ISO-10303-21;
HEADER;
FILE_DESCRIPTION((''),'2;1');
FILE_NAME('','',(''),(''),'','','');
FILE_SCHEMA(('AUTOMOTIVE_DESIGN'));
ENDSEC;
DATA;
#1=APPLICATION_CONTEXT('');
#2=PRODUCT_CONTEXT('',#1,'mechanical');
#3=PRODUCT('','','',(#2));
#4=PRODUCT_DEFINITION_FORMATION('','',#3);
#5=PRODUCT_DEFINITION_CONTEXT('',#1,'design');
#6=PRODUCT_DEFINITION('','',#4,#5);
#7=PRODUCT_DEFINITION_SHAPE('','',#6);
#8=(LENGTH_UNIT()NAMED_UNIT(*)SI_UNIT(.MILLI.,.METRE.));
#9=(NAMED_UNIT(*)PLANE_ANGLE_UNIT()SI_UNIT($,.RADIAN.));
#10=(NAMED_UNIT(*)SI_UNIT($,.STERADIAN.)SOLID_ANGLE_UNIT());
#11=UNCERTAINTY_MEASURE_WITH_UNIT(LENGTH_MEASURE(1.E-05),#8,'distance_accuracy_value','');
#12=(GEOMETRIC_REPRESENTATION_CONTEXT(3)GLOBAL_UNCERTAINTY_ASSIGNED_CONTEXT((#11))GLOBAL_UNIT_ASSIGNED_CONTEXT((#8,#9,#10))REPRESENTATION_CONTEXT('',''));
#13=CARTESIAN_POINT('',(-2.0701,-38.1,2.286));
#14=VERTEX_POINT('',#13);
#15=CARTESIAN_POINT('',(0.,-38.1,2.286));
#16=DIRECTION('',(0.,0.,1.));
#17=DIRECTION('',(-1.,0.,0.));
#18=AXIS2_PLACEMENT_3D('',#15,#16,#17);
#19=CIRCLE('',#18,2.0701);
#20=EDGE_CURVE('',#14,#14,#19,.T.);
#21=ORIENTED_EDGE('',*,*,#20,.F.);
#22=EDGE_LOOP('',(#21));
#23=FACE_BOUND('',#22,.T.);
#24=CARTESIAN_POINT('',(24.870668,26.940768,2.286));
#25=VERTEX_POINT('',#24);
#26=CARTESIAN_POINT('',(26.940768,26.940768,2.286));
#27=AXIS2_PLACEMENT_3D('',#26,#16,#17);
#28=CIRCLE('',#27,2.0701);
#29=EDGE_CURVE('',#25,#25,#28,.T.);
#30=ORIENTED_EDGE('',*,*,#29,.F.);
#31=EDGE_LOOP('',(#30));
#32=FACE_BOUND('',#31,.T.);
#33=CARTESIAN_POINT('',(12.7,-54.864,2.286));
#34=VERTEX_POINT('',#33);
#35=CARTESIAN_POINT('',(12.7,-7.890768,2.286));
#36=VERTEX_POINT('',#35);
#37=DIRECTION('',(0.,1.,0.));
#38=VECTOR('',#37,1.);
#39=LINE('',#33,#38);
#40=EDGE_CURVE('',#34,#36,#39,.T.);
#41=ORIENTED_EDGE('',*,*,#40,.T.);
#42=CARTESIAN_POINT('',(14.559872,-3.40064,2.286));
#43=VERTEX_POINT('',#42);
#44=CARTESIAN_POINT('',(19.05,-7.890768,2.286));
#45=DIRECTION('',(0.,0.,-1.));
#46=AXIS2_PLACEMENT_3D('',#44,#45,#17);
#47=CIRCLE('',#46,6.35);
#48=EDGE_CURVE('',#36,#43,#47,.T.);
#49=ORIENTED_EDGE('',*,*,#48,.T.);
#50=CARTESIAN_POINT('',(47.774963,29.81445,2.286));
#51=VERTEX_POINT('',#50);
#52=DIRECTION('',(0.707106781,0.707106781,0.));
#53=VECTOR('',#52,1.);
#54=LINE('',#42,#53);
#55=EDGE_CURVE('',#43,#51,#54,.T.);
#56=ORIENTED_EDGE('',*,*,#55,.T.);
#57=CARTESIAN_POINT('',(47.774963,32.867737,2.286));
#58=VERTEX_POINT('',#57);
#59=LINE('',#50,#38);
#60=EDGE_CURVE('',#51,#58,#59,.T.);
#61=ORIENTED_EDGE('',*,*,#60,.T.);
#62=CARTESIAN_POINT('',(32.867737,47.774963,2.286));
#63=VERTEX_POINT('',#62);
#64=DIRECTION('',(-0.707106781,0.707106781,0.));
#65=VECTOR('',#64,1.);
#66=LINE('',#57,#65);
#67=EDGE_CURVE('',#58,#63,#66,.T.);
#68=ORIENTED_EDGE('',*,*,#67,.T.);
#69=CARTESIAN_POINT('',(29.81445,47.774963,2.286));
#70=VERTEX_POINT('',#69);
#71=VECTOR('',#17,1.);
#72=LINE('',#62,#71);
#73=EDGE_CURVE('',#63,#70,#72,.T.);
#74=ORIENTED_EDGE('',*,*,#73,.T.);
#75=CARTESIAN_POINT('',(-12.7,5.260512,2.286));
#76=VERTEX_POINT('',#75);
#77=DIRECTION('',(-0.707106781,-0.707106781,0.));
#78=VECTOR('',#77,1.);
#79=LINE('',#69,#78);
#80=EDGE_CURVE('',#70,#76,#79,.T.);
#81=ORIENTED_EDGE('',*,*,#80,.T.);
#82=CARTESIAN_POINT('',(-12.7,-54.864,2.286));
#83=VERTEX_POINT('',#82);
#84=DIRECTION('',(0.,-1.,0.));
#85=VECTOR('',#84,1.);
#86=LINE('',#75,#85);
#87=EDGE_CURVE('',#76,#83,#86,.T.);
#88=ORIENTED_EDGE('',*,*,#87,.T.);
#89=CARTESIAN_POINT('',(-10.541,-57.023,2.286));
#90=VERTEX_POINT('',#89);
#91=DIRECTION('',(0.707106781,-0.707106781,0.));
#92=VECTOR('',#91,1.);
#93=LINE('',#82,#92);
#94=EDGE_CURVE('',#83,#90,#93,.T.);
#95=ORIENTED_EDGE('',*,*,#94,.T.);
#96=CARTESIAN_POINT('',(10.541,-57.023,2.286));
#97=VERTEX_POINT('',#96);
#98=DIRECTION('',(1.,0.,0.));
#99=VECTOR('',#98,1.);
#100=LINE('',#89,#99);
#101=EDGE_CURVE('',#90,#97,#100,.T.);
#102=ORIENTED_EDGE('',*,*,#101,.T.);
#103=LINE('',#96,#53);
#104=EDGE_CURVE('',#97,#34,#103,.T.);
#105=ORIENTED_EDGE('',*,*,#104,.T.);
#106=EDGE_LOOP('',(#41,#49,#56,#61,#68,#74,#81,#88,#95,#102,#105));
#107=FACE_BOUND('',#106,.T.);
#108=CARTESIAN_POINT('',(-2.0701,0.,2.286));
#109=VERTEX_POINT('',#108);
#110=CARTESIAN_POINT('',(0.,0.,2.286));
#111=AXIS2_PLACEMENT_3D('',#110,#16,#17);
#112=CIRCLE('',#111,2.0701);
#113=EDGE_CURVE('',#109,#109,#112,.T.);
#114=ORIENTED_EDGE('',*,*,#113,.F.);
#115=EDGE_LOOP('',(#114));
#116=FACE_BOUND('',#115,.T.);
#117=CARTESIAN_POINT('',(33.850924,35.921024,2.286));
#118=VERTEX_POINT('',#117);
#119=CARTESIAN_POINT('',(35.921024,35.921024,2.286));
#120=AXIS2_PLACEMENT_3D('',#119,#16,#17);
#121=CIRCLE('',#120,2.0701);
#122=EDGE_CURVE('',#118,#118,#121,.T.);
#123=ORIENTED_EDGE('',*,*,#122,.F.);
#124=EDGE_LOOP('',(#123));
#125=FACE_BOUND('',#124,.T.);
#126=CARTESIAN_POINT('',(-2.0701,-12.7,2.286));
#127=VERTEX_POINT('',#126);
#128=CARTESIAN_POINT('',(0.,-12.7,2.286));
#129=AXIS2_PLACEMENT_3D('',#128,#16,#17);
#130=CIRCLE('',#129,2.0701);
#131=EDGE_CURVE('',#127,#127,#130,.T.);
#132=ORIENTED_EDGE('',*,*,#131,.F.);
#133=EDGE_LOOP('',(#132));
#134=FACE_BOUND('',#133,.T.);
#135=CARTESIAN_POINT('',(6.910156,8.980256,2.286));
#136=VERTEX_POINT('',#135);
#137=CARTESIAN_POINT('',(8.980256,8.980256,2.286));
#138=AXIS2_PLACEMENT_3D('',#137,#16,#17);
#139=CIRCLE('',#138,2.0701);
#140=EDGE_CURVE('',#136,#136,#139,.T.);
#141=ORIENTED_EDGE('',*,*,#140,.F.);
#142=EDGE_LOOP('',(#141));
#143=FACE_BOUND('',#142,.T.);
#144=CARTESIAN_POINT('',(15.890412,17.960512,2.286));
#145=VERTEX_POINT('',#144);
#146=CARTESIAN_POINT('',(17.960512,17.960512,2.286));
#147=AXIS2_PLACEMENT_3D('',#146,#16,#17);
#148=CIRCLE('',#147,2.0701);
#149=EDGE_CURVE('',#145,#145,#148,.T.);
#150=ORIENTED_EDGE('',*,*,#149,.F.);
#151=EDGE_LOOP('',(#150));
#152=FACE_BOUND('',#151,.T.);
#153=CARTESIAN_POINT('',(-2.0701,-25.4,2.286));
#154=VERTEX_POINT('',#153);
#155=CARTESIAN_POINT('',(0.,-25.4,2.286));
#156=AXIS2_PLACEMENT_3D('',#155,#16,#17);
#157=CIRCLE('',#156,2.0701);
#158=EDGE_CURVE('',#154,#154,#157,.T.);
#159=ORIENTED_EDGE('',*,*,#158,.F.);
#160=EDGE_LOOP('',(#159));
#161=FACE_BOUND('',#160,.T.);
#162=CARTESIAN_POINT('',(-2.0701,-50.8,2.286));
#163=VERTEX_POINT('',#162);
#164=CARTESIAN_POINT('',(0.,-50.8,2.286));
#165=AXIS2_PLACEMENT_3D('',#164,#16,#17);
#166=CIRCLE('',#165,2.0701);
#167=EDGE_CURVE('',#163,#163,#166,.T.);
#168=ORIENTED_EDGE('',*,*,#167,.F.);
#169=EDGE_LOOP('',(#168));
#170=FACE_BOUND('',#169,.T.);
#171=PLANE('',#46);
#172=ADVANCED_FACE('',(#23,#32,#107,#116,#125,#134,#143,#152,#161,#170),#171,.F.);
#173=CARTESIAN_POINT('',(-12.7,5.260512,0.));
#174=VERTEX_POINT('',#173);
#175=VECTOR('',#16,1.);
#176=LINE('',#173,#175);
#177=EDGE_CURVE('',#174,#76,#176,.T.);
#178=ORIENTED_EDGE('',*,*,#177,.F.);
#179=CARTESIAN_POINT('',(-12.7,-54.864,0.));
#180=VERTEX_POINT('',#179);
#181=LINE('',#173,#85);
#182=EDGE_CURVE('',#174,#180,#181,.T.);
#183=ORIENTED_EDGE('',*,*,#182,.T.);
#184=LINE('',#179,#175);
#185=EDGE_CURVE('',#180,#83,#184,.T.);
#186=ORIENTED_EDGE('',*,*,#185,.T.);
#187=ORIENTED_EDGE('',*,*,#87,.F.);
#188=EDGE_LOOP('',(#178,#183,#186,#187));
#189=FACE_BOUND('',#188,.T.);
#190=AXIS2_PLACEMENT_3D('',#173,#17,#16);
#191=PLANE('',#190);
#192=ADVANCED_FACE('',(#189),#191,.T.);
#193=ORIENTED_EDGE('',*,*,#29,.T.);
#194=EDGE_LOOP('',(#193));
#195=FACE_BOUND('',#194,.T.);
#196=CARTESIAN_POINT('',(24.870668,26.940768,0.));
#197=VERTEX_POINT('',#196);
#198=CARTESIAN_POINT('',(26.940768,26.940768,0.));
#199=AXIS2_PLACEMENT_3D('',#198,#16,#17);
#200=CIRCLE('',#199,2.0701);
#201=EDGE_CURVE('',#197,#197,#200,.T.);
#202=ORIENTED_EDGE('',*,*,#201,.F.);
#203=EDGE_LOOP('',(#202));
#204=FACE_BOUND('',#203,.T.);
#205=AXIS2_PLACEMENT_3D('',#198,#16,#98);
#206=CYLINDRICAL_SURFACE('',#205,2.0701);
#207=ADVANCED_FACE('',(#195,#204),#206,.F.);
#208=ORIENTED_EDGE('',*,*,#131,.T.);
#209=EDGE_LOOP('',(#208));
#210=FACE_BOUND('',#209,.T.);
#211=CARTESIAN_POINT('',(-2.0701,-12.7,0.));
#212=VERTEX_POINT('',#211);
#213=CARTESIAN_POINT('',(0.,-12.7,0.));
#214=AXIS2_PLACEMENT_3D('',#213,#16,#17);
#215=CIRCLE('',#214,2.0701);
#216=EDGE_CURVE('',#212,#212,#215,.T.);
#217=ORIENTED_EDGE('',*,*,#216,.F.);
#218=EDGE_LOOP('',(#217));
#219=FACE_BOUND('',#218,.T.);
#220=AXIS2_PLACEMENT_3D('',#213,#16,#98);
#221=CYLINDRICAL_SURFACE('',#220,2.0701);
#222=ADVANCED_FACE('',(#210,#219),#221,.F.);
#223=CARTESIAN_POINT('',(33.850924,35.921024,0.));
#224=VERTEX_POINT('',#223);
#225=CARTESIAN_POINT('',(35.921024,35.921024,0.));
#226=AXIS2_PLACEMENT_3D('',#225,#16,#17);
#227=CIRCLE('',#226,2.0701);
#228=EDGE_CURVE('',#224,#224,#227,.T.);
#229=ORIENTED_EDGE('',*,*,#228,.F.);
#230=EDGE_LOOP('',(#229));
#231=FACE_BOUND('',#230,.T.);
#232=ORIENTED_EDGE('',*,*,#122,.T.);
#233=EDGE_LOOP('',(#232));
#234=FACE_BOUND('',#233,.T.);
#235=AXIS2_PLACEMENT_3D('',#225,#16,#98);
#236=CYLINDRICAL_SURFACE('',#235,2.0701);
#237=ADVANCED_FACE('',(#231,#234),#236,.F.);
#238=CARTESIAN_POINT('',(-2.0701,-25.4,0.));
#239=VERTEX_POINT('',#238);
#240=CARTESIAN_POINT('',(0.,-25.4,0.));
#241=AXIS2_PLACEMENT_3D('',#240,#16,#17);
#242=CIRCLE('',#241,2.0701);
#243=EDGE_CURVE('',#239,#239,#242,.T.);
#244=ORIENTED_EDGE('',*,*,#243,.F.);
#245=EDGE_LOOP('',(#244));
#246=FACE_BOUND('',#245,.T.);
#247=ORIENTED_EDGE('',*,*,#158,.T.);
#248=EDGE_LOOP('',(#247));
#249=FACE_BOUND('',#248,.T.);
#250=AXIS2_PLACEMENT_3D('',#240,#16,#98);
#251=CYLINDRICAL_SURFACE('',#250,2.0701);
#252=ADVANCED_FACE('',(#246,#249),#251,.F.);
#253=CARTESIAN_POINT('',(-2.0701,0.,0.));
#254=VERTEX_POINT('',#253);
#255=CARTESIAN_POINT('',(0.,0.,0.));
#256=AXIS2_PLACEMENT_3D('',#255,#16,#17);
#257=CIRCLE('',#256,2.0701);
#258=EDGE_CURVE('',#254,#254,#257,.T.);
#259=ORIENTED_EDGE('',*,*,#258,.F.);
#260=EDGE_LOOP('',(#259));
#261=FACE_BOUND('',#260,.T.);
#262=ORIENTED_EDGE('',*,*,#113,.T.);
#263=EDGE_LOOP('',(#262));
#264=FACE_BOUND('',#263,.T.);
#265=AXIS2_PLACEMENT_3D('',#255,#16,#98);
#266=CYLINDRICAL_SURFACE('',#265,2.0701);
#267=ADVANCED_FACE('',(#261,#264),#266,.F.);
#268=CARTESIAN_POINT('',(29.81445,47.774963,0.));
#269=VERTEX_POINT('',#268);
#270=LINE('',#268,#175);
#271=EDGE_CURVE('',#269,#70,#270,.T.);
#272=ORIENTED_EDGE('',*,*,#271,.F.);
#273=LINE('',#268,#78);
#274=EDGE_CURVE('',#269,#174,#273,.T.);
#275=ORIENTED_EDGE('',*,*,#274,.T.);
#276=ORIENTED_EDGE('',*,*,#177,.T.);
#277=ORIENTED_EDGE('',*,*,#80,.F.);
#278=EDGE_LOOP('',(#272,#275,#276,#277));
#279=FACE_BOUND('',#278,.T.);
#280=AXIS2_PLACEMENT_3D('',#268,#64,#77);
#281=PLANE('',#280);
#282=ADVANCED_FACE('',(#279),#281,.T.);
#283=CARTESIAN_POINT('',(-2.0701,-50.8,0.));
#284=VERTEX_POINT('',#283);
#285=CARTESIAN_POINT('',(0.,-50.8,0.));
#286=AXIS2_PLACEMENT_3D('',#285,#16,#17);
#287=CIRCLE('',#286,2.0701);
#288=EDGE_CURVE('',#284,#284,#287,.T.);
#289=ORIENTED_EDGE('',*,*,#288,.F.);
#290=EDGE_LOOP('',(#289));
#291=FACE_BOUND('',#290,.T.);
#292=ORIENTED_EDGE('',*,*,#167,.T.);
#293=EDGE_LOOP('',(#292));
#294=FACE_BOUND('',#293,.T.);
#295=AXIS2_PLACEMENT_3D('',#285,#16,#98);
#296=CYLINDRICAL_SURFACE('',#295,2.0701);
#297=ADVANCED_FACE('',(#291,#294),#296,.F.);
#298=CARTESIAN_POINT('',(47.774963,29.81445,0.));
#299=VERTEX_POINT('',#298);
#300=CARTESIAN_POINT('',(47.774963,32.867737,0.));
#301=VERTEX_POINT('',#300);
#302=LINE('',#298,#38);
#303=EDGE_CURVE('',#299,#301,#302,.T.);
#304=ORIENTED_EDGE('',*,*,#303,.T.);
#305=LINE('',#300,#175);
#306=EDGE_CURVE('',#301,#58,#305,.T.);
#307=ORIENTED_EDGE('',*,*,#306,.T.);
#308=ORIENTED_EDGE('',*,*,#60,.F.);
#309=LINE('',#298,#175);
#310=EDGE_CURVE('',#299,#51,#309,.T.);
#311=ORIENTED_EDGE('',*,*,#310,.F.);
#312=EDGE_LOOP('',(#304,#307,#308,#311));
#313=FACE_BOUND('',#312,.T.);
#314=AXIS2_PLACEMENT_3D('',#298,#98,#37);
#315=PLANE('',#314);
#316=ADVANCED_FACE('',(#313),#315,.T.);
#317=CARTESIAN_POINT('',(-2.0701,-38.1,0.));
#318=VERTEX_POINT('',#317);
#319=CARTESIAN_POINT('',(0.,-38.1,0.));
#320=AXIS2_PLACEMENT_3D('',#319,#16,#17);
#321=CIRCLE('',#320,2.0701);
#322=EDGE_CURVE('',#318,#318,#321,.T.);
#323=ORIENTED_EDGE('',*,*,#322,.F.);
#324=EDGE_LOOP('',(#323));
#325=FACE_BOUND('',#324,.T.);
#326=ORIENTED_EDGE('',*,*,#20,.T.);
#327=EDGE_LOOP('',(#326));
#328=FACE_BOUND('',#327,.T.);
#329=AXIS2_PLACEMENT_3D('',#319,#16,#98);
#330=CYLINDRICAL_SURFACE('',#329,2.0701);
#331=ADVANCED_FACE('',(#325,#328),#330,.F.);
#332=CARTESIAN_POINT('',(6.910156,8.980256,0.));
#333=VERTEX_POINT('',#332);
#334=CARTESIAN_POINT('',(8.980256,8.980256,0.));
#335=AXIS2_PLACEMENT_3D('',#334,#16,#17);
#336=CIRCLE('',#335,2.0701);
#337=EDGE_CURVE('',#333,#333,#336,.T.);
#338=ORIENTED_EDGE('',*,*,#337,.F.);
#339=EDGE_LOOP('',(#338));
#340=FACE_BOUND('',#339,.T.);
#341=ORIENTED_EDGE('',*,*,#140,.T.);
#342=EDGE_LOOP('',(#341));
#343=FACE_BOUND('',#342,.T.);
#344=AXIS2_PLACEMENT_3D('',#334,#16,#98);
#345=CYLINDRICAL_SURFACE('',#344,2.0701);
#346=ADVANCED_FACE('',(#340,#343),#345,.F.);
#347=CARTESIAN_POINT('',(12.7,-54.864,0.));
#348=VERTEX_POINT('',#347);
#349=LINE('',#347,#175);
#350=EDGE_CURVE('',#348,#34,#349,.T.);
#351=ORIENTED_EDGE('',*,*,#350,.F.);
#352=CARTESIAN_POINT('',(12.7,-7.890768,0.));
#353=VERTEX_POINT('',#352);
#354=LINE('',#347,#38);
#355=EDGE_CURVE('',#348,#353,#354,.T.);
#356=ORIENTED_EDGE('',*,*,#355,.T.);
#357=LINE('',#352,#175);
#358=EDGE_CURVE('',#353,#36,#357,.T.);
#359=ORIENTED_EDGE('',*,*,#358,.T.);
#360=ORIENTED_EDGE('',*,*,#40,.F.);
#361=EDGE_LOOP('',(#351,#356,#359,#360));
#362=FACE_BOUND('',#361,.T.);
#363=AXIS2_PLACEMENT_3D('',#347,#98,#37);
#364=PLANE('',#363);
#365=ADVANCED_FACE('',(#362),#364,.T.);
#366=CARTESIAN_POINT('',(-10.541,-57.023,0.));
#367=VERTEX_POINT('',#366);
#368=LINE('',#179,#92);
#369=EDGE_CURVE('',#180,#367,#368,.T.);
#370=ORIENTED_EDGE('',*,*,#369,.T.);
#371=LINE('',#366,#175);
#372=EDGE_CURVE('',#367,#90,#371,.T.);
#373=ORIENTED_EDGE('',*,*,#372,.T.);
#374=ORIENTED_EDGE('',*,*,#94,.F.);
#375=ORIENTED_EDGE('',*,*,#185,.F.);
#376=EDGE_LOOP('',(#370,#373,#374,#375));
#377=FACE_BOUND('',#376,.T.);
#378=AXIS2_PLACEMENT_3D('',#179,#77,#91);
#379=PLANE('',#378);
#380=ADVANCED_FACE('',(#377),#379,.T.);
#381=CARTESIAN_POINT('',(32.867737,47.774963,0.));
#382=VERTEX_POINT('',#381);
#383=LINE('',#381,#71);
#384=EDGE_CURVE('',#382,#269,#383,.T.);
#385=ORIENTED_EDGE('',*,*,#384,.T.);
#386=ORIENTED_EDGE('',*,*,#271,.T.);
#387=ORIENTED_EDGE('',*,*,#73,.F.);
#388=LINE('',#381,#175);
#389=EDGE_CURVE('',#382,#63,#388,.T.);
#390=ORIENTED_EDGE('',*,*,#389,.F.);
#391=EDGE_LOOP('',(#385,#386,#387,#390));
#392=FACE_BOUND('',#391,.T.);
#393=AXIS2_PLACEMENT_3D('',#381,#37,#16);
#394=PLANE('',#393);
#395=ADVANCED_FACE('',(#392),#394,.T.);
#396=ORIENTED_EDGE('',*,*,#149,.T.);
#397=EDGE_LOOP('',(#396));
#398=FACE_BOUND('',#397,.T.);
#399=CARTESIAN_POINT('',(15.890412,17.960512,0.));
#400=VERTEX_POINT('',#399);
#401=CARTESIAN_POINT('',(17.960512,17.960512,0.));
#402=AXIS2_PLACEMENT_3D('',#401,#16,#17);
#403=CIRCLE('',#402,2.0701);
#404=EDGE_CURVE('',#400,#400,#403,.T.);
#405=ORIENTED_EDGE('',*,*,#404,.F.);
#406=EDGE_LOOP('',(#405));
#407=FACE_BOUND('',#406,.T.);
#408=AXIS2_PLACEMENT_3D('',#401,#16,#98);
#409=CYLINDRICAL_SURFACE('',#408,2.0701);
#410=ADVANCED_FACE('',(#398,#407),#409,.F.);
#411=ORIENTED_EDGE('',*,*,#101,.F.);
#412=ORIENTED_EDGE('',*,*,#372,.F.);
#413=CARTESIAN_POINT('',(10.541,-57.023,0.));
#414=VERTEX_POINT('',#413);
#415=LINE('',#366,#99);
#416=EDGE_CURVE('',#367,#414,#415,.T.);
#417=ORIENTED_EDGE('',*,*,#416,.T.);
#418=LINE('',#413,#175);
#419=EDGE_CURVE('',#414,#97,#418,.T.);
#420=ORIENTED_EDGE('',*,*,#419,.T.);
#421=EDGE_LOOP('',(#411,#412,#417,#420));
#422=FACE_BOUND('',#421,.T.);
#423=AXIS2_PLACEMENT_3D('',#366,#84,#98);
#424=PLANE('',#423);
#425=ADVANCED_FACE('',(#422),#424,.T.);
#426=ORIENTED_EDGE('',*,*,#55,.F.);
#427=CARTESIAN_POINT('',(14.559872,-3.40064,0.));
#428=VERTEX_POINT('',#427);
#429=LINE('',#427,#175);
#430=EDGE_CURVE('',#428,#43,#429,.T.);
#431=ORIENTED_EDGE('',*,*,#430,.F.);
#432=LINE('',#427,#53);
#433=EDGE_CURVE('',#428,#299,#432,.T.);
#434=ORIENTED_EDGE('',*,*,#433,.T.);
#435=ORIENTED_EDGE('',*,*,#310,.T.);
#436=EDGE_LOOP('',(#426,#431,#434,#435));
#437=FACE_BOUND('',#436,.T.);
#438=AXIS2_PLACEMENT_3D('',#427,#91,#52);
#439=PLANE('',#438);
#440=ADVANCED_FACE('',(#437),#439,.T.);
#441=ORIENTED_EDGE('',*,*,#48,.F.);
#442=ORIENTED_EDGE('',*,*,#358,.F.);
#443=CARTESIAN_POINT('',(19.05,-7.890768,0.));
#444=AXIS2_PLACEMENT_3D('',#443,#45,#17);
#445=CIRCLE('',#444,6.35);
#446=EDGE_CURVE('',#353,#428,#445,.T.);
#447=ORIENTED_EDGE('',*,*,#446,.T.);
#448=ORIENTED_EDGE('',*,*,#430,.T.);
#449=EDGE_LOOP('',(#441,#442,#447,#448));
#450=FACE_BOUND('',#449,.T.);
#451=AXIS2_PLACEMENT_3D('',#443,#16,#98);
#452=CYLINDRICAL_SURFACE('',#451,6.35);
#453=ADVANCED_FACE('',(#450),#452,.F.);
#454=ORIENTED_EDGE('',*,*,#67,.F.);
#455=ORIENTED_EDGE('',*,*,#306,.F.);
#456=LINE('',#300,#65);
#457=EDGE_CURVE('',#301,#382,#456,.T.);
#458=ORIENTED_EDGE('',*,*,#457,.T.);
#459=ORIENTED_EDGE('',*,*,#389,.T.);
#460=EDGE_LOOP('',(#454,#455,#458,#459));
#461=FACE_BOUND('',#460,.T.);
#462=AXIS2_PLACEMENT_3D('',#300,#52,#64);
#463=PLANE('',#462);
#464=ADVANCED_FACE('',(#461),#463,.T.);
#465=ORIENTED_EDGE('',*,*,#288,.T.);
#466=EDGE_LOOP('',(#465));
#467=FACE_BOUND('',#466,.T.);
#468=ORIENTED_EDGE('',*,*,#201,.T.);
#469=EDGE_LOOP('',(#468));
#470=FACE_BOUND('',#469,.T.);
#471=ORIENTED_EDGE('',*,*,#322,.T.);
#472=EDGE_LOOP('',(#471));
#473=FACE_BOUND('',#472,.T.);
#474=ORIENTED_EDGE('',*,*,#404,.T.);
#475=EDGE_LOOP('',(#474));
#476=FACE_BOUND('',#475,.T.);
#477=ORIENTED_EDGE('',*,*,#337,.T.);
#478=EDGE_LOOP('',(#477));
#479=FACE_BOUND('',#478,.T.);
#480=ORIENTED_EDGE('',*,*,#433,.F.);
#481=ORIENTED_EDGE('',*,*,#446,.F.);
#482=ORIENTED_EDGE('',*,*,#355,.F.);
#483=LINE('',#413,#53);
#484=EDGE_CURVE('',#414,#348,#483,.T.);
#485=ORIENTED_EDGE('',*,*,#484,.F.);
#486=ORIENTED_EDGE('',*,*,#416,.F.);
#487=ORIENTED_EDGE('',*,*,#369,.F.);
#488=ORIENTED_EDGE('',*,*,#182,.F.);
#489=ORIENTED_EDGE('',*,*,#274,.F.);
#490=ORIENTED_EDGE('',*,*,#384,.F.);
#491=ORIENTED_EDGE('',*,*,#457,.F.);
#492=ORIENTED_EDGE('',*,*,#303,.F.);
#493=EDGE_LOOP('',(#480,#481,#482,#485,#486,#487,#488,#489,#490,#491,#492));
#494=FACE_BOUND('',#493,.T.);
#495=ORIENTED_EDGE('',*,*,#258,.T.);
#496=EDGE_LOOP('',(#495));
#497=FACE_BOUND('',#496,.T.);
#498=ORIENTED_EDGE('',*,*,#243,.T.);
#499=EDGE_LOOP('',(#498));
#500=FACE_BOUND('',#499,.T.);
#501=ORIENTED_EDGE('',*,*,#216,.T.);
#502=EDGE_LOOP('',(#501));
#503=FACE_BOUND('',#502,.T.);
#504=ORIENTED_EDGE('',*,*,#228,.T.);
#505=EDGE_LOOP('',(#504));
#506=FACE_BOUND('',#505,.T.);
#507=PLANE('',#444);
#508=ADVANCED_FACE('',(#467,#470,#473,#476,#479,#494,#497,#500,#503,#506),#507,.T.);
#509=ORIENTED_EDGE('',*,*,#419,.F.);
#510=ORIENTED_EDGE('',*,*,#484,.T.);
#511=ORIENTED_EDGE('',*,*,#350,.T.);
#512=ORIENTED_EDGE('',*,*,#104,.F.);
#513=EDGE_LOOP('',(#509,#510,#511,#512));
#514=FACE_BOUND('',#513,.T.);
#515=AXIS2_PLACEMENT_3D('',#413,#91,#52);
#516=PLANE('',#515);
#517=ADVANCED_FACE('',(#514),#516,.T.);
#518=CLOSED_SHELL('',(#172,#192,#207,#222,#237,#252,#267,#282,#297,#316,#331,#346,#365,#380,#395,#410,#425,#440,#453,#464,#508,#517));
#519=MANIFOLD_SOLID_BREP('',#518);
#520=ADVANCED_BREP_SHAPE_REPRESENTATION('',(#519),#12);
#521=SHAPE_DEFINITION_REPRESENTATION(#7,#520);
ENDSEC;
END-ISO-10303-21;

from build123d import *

# Parameters (mm, degrees)
SKETCH1_R           = 2.0701
BOSS_EXTRUDE1_DEPTH = 2.286


with BuildPart() as part:
    # Sketch1 → Boss-Extrude1 (new body)
    with BuildSketch(Plane.XY.offset(2.286)):
        with BuildLine():
            Line((32.867737403, 47.774962564), (29.814450322, 47.774962564))
            Line((29.814450322, 47.774962564), (-12.7, 5.260512242))
            Line((-12.7, 5.260512242), (-12.7, -54.864))
            Line((-12.7, -54.864), (-10.541, -57.023))
            Line((-10.541, -57.023), (10.541, -57.023))
            Line((10.541, -57.023), (12.7, -54.864))
            Line((12.7, -54.864), (12.7, -7.890768363))
            ThreePointArc((12.7, -7.890768363), (13.183364969, -5.460728568), (14.559871939, -3.400640303))
            Line((14.559871939, -3.400640303), (47.774962564, 29.814450322))
            Line((47.774962564, 29.814450322), (47.774962564, 32.867737403))
            Line((47.774962564, 32.867737403), (32.867737403, 47.774962564))
        make_face()
        with Locations((35.921024484, 35.921024484)):
            Circle(SKETCH1_R, mode=Mode.SUBTRACT)
        with Locations((17.960512242, 17.960512242)):
            Circle(SKETCH1_R, mode=Mode.SUBTRACT)
        with Locations((8.980256121, 8.980256121)):
            Circle(SKETCH1_R, mode=Mode.SUBTRACT)
        with Locations((26.940768363, 26.940768363)):
            Circle(SKETCH1_R, mode=Mode.SUBTRACT)
        with Locations((0, -50.8)):
            Circle(SKETCH1_R, mode=Mode.SUBTRACT)
        with Locations((0, -25.4)):
            Circle(SKETCH1_R, mode=Mode.SUBTRACT)
        with Locations((0, -12.7)):
            Circle(SKETCH1_R, mode=Mode.SUBTRACT)
        with Locations((0, -38.1)):
            Circle(SKETCH1_R, mode=Mode.SUBTRACT)
        Circle(SKETCH1_R, mode=Mode.SUBTRACT)
    extrude(amount=-BOSS_EXTRUDE1_DEPTH)


solid = part.part
